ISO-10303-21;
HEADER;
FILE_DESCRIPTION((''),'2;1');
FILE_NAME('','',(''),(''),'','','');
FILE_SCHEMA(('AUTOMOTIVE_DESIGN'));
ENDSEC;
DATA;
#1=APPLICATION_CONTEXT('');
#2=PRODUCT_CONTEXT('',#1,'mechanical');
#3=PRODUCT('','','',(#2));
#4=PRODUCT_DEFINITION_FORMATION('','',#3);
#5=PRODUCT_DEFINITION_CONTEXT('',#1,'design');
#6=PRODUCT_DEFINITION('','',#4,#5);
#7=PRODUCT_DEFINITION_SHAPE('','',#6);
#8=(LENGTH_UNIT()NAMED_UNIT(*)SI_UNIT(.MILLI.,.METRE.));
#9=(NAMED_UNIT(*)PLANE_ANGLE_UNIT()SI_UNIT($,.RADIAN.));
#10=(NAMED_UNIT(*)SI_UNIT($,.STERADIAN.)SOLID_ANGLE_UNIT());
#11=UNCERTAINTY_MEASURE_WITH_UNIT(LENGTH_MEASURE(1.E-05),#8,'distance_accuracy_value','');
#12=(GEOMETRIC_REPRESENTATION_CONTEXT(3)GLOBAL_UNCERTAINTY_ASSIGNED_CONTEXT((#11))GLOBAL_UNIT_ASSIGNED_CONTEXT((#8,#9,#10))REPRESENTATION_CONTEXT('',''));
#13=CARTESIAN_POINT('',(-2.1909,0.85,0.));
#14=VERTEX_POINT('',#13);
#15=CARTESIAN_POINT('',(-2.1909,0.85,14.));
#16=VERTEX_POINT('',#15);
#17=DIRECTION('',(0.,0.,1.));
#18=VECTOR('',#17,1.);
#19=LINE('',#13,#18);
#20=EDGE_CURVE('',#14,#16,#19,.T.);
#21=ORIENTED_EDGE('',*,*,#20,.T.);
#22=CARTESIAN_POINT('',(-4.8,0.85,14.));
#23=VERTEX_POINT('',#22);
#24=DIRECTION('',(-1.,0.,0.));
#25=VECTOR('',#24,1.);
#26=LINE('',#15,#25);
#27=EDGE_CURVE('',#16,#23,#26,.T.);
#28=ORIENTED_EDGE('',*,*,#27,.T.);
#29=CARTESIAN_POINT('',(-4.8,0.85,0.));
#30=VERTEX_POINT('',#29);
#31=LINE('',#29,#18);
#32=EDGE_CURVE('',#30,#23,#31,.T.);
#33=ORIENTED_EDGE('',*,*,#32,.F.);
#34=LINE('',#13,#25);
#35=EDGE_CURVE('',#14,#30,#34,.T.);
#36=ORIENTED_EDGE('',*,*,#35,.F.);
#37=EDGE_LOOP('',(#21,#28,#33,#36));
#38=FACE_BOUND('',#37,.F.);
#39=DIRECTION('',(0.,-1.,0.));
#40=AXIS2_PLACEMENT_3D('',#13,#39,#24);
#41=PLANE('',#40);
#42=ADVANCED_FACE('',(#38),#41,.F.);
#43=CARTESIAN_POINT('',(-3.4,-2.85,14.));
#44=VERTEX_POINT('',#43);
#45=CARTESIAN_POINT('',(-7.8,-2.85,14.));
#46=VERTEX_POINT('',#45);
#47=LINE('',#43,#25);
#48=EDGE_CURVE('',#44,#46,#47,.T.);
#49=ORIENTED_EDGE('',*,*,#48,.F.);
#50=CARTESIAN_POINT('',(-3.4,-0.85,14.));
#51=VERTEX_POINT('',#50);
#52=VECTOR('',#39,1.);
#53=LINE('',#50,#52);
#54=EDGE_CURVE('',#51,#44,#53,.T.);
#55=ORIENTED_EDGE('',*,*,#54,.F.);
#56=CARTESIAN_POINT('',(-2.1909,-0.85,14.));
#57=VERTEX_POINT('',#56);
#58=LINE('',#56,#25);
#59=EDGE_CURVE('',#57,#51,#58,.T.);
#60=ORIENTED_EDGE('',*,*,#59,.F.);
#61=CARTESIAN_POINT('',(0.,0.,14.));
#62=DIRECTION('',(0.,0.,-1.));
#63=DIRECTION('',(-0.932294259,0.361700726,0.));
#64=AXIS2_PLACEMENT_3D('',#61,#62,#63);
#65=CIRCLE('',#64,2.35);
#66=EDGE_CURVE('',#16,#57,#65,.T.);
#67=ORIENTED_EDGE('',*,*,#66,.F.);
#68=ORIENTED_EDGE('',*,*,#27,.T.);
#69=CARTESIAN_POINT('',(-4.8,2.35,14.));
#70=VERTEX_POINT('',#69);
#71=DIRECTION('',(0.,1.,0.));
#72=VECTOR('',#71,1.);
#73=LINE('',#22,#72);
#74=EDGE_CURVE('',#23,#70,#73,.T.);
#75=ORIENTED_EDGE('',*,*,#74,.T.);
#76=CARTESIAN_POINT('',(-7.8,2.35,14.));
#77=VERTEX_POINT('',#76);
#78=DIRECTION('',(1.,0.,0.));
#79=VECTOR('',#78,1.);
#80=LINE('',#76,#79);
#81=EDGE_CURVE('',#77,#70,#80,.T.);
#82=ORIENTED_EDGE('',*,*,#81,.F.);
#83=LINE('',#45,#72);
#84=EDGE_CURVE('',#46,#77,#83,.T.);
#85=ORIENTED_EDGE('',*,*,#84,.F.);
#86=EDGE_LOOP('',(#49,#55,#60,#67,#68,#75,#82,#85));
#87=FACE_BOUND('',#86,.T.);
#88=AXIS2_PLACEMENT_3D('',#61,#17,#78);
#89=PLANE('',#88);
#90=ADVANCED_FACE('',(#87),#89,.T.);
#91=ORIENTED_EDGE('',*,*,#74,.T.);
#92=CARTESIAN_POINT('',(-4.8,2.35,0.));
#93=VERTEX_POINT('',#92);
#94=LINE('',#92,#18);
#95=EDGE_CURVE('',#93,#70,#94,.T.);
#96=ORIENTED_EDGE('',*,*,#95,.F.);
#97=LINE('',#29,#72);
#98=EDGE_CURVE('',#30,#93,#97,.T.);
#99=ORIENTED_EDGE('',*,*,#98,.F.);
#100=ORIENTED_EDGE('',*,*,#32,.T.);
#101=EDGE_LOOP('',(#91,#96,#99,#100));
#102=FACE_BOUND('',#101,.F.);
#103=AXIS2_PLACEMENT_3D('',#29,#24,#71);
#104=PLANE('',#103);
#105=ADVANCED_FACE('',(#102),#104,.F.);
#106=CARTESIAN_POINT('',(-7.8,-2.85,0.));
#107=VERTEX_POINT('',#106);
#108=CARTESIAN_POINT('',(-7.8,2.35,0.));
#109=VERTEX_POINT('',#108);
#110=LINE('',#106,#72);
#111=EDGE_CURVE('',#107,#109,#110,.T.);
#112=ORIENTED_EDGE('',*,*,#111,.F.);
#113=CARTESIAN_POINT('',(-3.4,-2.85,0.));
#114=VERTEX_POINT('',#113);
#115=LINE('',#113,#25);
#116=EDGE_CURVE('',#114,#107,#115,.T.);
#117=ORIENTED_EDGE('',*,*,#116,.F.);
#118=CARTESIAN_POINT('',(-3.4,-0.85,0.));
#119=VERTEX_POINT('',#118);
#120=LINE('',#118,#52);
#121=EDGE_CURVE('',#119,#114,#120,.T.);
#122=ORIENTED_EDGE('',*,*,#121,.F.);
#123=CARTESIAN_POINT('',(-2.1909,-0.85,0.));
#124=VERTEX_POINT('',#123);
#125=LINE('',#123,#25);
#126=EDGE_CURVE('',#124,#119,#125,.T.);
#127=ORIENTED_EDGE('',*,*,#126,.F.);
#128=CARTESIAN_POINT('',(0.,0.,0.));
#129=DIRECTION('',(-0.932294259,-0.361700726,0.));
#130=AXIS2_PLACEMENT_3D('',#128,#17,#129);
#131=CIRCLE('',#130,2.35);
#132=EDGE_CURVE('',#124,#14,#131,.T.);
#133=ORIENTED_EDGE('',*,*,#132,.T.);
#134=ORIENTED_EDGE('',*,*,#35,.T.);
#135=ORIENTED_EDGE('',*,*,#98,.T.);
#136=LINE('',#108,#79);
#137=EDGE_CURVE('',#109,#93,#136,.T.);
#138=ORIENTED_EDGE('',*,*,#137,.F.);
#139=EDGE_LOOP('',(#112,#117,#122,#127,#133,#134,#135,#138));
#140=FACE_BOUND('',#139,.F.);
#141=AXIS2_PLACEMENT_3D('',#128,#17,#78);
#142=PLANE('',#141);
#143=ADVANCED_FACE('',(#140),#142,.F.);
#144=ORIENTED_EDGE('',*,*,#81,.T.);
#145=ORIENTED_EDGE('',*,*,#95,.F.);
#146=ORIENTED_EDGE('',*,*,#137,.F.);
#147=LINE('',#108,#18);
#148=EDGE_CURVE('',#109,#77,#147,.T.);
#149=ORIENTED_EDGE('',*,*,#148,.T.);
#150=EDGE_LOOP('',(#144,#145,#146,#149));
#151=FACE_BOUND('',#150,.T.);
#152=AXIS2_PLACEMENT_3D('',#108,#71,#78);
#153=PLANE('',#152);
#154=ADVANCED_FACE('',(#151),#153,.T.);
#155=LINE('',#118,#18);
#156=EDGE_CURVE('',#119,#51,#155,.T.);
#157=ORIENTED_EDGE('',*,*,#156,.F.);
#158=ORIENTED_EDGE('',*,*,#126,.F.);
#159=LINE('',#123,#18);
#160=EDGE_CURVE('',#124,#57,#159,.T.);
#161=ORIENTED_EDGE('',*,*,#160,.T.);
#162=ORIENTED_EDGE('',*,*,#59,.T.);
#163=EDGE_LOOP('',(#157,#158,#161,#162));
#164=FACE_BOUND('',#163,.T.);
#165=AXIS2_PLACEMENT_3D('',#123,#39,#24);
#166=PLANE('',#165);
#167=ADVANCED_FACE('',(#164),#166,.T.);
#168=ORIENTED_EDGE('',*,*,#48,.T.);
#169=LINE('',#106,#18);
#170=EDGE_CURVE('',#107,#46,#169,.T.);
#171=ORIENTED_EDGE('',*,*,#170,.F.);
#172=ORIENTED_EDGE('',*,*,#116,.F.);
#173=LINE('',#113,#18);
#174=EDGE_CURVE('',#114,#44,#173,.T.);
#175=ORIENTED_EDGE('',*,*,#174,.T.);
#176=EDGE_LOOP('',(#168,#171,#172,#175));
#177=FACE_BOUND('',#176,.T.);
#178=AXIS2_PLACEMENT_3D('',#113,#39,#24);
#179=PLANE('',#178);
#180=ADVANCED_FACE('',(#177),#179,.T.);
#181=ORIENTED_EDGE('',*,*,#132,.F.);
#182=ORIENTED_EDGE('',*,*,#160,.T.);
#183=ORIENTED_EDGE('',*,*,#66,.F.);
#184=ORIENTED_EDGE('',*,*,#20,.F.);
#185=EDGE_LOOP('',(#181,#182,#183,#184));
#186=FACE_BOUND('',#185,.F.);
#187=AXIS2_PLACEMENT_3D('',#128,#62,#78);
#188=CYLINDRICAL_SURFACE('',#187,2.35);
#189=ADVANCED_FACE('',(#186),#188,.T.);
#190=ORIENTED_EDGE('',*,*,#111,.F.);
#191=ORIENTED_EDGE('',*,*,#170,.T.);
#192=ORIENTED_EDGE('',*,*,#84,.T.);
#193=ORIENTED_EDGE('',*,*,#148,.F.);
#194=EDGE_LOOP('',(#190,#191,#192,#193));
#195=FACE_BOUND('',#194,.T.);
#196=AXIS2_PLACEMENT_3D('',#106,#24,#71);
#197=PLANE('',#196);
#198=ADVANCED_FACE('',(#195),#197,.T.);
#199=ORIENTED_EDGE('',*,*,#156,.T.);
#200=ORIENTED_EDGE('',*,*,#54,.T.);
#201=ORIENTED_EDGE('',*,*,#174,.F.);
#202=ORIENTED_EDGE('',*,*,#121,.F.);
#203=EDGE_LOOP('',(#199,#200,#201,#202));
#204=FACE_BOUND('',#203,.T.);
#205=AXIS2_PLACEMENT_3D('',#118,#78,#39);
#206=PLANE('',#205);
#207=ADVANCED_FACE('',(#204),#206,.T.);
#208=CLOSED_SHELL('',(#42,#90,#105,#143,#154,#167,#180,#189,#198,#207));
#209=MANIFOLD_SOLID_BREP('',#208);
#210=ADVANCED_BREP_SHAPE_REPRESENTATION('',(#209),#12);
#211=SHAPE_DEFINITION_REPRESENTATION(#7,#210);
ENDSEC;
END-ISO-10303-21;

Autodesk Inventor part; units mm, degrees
ref_plane "YZ Plane" through (0, 0, 0) normal (1, 0, 0) x (0, 1, 0)
ref_plane "XZ Plane" through (0, 0, 0) normal (0, 1, 0) x (-1, 0, 0)
ref_plane "XY Plane" through (0, 0, 0) normal (0, 0, 1) x (1, 0, 0)
sketch "Sketch1" plane through (0, 0, 0) normal (0, 0, 1) x (1, 0, 0)
  circle A0 centre (0, 0) radius 2.35
  line L0 (-2.1909, 0.85) -> (-4.8, 0.85)
  line L1 (-4.8, 0.85) -> (-4.8, 2.35)
  line L2 (-2.1909, -0.85) -> (-3.4, -0.85)
  line L3 (-3.4, -0.85) -> (-3.4, -2.85)
  line L4 (-3.4, -2.85) -> (-7.8, -2.85)
  line L5 (-7.8, -2.85) -> (-7.8, 2.35)
  line L6 (-7.8, 2.35) -> (-4.8, 2.35)
  dimension "d0" = 4.7
  dimension "d1" = 4.8
  dimension "d2" = 1.4
  dimension "d3" = 2
  dimension "d7" = 1.7
  dimension "d8" = 3
  dimension "d9" = 2.35
extrude "Extrusion1" add sketch "Sketch1" along normal blind 14
properties part number "rigid connector"
